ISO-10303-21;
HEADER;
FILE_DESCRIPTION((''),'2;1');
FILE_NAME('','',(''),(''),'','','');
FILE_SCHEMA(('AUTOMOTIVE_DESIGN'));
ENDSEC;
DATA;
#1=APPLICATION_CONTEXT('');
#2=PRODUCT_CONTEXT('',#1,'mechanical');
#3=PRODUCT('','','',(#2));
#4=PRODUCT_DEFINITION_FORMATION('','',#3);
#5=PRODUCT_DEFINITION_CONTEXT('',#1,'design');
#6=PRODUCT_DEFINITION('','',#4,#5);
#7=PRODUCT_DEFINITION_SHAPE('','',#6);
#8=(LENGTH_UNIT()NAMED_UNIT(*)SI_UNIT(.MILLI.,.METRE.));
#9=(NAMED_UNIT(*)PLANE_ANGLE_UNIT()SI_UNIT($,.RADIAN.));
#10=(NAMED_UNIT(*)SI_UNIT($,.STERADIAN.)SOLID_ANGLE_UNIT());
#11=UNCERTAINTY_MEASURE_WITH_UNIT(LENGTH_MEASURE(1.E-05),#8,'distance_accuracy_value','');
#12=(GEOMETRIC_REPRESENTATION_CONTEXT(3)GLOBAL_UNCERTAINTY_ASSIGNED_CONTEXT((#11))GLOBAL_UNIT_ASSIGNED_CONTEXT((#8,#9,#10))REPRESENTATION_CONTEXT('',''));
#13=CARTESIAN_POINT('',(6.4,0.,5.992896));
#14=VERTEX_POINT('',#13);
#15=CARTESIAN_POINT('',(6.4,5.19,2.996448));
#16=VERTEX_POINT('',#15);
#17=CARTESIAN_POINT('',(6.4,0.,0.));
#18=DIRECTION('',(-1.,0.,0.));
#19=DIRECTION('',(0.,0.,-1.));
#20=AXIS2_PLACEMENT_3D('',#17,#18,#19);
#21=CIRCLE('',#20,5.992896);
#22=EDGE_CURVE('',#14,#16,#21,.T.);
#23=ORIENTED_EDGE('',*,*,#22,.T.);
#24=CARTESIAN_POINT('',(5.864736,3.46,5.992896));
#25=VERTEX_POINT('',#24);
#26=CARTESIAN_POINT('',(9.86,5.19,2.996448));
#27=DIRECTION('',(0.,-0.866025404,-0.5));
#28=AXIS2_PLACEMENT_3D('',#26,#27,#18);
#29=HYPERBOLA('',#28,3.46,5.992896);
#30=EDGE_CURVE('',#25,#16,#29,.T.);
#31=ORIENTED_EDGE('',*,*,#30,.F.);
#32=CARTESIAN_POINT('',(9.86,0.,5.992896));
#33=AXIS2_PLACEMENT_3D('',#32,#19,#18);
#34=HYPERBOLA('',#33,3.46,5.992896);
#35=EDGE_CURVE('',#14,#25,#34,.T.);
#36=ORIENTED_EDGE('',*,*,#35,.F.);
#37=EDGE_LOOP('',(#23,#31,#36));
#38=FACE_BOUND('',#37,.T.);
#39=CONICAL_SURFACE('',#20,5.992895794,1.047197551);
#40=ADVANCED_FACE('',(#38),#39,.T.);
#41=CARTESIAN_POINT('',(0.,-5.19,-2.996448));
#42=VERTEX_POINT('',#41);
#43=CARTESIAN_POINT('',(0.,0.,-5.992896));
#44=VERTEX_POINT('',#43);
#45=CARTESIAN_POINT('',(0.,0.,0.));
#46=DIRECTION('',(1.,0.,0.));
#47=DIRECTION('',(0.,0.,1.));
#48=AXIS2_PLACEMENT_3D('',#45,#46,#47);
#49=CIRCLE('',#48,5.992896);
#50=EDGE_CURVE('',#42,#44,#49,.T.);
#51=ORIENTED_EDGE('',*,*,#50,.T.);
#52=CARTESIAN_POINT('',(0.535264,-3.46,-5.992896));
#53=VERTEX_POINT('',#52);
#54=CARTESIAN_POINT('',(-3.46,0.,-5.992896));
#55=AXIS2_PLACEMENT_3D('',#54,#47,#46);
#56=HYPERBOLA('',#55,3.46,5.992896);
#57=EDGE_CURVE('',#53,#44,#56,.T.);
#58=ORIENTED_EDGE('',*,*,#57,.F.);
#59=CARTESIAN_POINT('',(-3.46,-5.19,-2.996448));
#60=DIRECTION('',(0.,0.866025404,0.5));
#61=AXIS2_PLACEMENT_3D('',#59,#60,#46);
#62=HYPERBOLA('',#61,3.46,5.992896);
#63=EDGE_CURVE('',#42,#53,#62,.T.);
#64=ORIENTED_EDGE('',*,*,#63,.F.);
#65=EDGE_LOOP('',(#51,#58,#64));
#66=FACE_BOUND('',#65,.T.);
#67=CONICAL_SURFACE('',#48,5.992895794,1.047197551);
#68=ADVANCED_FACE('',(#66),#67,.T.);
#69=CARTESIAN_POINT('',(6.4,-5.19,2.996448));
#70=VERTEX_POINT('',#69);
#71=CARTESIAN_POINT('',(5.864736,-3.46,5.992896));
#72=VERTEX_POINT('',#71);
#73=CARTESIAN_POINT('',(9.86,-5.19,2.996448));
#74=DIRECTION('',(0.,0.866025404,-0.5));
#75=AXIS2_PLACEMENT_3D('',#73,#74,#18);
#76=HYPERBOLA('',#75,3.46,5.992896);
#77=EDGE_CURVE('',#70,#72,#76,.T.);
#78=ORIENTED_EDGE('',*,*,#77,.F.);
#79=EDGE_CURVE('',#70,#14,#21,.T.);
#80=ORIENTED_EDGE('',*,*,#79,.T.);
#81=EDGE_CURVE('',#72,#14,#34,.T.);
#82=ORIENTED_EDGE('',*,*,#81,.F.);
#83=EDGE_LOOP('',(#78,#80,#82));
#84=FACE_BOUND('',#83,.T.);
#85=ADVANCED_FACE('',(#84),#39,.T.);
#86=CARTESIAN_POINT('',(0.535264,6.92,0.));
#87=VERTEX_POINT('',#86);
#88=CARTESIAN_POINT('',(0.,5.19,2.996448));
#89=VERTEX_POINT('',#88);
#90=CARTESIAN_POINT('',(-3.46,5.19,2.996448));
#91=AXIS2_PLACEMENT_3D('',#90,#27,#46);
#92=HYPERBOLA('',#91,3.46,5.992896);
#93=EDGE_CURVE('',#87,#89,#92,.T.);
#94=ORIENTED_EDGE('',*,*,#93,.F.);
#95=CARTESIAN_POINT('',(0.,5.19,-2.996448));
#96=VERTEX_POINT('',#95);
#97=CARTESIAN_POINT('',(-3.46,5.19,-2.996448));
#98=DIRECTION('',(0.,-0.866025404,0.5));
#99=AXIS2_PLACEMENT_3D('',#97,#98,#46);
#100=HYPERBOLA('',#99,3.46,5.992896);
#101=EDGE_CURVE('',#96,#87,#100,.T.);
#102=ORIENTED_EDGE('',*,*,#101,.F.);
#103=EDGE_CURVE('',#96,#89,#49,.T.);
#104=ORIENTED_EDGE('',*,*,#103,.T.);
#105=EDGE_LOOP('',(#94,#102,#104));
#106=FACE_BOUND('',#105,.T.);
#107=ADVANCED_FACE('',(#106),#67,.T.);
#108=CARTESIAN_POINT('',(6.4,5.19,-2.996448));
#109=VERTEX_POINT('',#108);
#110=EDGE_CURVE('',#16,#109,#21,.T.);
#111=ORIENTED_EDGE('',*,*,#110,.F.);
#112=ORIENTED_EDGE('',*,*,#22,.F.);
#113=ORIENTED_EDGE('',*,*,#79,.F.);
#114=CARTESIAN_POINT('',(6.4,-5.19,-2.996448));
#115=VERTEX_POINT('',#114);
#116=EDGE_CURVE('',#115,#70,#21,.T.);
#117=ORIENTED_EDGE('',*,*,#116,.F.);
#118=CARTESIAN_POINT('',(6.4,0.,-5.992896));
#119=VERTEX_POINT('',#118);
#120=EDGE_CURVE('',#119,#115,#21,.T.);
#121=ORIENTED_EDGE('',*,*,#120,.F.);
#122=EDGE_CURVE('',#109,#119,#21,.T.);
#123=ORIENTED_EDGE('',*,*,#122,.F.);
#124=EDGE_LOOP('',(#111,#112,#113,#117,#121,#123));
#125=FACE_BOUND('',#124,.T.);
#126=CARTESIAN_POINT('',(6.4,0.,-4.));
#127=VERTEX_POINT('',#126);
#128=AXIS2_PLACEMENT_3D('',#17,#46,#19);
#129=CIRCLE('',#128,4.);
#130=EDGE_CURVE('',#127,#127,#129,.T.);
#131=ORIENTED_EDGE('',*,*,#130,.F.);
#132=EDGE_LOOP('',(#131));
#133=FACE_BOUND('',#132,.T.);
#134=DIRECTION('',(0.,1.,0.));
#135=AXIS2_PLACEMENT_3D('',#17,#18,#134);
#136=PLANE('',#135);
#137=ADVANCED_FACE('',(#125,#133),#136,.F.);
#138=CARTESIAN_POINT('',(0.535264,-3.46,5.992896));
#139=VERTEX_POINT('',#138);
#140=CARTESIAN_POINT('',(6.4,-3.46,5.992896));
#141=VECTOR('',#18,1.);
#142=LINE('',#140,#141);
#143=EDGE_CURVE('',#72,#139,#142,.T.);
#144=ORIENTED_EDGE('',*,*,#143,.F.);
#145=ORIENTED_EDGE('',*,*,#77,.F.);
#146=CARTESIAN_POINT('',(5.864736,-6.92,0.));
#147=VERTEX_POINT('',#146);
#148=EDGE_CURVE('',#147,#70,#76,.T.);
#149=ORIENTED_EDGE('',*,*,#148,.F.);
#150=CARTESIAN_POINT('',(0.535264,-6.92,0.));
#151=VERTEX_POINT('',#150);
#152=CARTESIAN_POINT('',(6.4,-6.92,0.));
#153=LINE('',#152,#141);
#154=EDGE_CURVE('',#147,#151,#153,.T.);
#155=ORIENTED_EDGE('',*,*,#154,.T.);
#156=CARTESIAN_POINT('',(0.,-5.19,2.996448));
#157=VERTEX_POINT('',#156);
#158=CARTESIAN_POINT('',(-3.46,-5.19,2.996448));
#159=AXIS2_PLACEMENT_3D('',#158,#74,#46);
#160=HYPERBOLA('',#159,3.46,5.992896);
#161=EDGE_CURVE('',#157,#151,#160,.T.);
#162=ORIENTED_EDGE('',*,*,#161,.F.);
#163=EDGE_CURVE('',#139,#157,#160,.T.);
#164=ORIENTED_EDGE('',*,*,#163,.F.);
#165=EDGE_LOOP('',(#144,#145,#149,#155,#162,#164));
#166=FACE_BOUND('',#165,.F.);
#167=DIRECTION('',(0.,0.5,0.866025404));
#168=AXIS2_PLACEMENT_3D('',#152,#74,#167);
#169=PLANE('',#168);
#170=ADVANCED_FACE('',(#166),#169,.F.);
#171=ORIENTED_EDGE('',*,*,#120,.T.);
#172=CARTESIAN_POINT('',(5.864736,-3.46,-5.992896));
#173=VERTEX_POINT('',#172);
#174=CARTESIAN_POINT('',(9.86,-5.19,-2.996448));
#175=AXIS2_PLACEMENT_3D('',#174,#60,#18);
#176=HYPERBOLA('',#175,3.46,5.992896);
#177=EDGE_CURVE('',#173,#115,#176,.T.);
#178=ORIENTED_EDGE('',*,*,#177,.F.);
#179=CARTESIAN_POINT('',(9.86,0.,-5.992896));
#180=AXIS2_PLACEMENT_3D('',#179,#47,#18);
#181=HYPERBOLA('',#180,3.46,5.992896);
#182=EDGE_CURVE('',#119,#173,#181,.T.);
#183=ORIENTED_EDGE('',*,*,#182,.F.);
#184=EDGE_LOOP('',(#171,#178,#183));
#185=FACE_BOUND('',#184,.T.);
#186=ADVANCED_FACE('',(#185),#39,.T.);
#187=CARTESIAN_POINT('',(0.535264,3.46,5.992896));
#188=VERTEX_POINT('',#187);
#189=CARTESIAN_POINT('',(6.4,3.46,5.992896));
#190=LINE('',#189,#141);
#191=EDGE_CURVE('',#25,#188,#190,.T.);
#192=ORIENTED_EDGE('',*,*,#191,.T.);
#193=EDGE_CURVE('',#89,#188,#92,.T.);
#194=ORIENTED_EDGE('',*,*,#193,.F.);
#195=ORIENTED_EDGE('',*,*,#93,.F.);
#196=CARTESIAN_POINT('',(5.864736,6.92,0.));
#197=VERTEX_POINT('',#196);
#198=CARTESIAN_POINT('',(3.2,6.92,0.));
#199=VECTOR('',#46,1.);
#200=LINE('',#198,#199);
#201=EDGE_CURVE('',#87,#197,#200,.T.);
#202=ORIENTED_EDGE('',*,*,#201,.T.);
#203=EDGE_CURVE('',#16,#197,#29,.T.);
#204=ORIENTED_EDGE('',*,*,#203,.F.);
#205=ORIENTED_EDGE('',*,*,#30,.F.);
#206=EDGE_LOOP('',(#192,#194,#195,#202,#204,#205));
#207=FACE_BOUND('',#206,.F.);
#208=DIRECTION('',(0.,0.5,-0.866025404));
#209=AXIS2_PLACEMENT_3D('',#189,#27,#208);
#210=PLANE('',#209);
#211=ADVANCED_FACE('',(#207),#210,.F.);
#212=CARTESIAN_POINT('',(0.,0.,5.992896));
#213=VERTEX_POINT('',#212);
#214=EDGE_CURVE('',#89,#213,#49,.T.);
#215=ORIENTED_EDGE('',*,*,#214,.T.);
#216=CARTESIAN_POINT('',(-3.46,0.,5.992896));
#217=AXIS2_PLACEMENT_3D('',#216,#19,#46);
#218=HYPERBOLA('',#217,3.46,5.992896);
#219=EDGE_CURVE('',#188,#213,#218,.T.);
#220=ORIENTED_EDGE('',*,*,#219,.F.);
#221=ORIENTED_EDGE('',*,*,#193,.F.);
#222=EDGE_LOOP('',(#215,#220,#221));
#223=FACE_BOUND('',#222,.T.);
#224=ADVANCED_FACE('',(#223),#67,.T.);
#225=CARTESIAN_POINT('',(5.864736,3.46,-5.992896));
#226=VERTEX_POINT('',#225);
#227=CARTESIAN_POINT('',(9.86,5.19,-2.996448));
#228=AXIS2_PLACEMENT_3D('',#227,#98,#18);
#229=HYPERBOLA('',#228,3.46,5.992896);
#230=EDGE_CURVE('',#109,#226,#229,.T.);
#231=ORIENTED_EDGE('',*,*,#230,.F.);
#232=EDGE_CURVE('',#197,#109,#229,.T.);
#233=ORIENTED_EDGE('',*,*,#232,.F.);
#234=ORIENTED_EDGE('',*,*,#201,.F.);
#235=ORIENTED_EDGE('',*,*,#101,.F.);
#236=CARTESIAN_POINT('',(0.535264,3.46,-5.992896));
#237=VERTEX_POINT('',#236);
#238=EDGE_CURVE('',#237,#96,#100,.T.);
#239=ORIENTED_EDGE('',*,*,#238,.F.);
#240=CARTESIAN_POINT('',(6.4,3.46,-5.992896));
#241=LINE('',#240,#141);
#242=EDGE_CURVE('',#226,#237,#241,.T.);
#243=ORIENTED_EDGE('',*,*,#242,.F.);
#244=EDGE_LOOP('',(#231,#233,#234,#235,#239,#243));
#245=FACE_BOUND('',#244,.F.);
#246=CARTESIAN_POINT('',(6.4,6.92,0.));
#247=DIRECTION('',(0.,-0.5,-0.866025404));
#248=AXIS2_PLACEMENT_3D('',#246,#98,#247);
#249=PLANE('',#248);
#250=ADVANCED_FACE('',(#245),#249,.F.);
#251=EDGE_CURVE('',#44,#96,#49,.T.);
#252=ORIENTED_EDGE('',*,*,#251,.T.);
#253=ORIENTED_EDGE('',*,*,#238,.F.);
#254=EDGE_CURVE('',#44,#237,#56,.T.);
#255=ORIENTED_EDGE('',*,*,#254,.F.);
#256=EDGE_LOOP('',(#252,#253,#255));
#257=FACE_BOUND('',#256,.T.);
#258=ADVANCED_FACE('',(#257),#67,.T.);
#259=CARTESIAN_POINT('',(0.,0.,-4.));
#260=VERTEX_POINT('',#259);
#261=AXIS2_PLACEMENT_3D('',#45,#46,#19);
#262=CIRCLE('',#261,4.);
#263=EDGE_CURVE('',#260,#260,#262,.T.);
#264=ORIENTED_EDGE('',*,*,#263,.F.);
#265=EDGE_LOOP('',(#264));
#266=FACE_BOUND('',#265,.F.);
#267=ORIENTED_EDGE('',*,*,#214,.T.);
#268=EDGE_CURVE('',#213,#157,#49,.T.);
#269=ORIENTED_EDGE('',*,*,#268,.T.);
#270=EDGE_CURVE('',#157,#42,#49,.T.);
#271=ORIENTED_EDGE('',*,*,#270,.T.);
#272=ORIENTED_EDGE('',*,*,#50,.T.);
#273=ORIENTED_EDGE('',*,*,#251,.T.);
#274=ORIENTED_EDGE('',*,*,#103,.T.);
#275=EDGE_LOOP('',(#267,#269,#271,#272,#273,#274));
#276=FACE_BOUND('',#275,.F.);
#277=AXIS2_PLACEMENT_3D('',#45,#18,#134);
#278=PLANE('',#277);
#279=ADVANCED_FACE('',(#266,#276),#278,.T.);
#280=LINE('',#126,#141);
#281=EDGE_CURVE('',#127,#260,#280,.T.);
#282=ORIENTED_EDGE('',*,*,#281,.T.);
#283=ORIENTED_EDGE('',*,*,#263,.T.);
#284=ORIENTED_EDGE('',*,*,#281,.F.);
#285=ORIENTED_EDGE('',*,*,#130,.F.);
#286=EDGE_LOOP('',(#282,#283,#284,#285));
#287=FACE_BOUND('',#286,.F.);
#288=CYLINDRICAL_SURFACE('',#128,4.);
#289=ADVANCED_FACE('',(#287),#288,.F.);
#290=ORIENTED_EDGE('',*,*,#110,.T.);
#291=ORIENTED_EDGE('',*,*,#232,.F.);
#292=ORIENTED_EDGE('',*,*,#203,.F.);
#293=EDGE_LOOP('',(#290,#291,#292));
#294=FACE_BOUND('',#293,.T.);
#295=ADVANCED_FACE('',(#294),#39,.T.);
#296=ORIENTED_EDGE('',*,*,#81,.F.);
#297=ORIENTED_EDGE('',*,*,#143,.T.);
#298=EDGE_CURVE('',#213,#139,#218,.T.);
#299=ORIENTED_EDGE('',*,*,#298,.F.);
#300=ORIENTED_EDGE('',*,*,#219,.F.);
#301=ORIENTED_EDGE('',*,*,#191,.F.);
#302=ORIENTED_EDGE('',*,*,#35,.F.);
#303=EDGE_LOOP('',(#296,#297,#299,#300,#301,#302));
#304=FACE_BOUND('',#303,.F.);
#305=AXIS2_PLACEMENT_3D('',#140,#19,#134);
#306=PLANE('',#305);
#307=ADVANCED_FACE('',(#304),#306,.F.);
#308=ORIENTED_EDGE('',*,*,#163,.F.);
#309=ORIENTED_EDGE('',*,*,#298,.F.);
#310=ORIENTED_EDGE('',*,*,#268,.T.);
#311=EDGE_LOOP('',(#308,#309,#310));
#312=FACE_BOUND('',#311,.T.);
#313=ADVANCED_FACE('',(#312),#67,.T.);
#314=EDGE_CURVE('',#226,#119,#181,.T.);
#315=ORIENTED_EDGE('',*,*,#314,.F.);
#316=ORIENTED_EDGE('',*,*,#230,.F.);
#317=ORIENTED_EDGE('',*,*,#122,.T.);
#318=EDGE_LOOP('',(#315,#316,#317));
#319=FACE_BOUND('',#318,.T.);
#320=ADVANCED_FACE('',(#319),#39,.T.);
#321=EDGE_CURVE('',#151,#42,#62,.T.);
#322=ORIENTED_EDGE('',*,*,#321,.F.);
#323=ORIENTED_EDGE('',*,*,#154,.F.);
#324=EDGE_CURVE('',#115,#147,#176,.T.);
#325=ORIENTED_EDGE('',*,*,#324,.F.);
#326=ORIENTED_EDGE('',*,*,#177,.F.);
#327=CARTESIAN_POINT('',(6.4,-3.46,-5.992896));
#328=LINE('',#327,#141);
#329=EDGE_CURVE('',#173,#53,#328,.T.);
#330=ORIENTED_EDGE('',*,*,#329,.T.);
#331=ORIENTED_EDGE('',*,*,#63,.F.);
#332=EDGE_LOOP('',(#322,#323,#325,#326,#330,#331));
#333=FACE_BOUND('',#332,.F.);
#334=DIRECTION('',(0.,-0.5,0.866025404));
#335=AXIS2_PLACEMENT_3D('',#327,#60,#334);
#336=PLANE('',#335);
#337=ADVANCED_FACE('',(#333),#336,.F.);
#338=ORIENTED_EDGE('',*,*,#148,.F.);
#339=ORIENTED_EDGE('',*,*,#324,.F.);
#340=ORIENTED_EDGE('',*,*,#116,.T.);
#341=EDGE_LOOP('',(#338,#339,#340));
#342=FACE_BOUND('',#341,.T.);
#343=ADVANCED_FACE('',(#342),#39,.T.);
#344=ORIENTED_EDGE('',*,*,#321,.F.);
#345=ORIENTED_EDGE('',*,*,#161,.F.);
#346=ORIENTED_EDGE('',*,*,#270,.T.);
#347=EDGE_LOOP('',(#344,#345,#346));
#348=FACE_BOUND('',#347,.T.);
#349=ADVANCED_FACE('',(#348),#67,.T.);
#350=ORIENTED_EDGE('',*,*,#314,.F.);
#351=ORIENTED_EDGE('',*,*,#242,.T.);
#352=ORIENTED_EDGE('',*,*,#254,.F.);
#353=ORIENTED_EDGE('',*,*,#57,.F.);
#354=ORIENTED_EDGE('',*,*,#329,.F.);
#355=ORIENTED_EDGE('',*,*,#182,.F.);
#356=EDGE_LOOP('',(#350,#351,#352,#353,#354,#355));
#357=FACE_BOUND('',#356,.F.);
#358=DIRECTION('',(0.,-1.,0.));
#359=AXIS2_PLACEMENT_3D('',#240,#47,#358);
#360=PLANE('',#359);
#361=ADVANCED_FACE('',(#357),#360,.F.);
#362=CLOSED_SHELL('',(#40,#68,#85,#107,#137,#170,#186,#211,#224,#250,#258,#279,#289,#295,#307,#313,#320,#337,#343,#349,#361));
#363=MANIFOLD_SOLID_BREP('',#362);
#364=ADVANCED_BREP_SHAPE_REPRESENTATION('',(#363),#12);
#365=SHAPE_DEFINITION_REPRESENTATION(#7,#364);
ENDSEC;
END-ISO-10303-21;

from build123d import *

# Parameters (mm, degrees)
CROQUIS1_W            = 6.4
CROQUIS1_H            = 6.92
CORTAR_EXTRUIR1_DEPTH = 7
CROQUIS3_OUTSIDE_W    = 42.114
CROQUIS3_OUTSIDE_H    = 43.968
CROQUIS3_OUTSIDE_R    = 5.992895794
CORTAR_EXTRUIR2_DEPTH = 7
CORTAR_EXTRUIR2_TAPER = 60
CROQUIS5_OUTSIDE_W    = 21.33
CROQUIS5_OUTSIDE_H    = 23.184
CROQUIS5_OUTSIDE_R    = 5.992895794
CORTAR_EXTRUIR3_DEPTH = 1
CORTAR_EXTRUIR3_TAPER = 60
CROQUIS6_R            = 4
CORTAR_EXTRUIR4_DEPTH = 7


with BuildPart() as part:
    # Croquis1 → Revolución1 (revolve)
    with BuildSketch(Plane.XY):
        with Locations((3.2, 3.46)):
            Rectangle(CROQUIS1_W, CROQUIS1_H)
    revolve(axis=Axis((6.4, 0, 0), (-1, 0, 0)))

    # Croquis2 → Cortar-Extruir1 (cut)
    with BuildSketch(Plane(origin=(6.4, 0, 0), x_dir=(0, 0, -1), z_dir=(1, 0, 0))):
        with BuildLine():
            Line((-5.992895794, -3.46), (-5.992895794, 3.46))
            ThreePointArc((-5.992895794, 3.46), (-6.92, 0), (-5.992895794, -3.46))
        make_face()
        with BuildLine():
            Line((-5.992895794, 3.46), (0, 6.92))
            ThreePointArc((0, 6.92), (-3.46, 5.992895794), (-5.992895794, 3.46))
        make_face()
        with BuildLine():
            ThreePointArc((5.992895794, 3.46), (3.46, 5.992895794), (0, 6.92))
            Line((0, 6.92), (5.992895794, 3.46))
        make_face()
        with BuildLine():
            ThreePointArc((6.92, 0), (6.684206718, 1.791027792), (5.992895794, 3.46))
            Line((5.992895794, 3.46), (5.992895794, -3.46))
            ThreePointArc((5.992895794, -3.46), (6.684206718, -1.791027792), (6.92, 0))
        make_face()
        with BuildLine():
            ThreePointArc((0, -6.92), (3.46, -5.992895794), (5.992895794, -3.46))
            Line((5.992895794, -3.46), (0, -6.92))
        make_face()
        with BuildLine():
            Line((0, -6.92), (-5.992895794, -3.46))
            ThreePointArc((-5.992895794, -3.46), (-3.46, -5.992895794), (0, -6.92))
        make_face()
    extrude(amount=-CORTAR_EXTRUIR1_DEPTH, mode=Mode.SUBTRACT)

    # Croquis3 outside → Cortar-Extruir2 (cut)
    with BuildSketch(Plane(origin=(6.4, 0, 0), x_dir=(0, 0, -1), z_dir=(1, 0, 0))):
        Rectangle(CROQUIS3_OUTSIDE_W, CROQUIS3_OUTSIDE_H)
        Circle(CROQUIS3_OUTSIDE_R, mode=Mode.SUBTRACT)
    extrude(amount=-CORTAR_EXTRUIR2_DEPTH, taper=CORTAR_EXTRUIR2_TAPER, mode=Mode.SUBTRACT)

    # Croquis5 outside → Cortar-Extruir3 (cut)
    with BuildSketch(Plane.ZY):
        Rectangle(CROQUIS5_OUTSIDE_W, CROQUIS5_OUTSIDE_H)
        Circle(CROQUIS5_OUTSIDE_R, mode=Mode.SUBTRACT)
    extrude(amount=-CORTAR_EXTRUIR3_DEPTH, taper=CORTAR_EXTRUIR3_TAPER, mode=Mode.SUBTRACT)

    # Croquis6 → Cortar-Extruir4 (cut)
    with BuildSketch(Plane(origin=(6.4, 0, 0), x_dir=(0, 0, -1), z_dir=(1, 0, 0))):
        Circle(CROQUIS6_R)
    extrude(amount=-CORTAR_EXTRUIR4_DEPTH, mode=Mode.SUBTRACT)


solid = part.part
